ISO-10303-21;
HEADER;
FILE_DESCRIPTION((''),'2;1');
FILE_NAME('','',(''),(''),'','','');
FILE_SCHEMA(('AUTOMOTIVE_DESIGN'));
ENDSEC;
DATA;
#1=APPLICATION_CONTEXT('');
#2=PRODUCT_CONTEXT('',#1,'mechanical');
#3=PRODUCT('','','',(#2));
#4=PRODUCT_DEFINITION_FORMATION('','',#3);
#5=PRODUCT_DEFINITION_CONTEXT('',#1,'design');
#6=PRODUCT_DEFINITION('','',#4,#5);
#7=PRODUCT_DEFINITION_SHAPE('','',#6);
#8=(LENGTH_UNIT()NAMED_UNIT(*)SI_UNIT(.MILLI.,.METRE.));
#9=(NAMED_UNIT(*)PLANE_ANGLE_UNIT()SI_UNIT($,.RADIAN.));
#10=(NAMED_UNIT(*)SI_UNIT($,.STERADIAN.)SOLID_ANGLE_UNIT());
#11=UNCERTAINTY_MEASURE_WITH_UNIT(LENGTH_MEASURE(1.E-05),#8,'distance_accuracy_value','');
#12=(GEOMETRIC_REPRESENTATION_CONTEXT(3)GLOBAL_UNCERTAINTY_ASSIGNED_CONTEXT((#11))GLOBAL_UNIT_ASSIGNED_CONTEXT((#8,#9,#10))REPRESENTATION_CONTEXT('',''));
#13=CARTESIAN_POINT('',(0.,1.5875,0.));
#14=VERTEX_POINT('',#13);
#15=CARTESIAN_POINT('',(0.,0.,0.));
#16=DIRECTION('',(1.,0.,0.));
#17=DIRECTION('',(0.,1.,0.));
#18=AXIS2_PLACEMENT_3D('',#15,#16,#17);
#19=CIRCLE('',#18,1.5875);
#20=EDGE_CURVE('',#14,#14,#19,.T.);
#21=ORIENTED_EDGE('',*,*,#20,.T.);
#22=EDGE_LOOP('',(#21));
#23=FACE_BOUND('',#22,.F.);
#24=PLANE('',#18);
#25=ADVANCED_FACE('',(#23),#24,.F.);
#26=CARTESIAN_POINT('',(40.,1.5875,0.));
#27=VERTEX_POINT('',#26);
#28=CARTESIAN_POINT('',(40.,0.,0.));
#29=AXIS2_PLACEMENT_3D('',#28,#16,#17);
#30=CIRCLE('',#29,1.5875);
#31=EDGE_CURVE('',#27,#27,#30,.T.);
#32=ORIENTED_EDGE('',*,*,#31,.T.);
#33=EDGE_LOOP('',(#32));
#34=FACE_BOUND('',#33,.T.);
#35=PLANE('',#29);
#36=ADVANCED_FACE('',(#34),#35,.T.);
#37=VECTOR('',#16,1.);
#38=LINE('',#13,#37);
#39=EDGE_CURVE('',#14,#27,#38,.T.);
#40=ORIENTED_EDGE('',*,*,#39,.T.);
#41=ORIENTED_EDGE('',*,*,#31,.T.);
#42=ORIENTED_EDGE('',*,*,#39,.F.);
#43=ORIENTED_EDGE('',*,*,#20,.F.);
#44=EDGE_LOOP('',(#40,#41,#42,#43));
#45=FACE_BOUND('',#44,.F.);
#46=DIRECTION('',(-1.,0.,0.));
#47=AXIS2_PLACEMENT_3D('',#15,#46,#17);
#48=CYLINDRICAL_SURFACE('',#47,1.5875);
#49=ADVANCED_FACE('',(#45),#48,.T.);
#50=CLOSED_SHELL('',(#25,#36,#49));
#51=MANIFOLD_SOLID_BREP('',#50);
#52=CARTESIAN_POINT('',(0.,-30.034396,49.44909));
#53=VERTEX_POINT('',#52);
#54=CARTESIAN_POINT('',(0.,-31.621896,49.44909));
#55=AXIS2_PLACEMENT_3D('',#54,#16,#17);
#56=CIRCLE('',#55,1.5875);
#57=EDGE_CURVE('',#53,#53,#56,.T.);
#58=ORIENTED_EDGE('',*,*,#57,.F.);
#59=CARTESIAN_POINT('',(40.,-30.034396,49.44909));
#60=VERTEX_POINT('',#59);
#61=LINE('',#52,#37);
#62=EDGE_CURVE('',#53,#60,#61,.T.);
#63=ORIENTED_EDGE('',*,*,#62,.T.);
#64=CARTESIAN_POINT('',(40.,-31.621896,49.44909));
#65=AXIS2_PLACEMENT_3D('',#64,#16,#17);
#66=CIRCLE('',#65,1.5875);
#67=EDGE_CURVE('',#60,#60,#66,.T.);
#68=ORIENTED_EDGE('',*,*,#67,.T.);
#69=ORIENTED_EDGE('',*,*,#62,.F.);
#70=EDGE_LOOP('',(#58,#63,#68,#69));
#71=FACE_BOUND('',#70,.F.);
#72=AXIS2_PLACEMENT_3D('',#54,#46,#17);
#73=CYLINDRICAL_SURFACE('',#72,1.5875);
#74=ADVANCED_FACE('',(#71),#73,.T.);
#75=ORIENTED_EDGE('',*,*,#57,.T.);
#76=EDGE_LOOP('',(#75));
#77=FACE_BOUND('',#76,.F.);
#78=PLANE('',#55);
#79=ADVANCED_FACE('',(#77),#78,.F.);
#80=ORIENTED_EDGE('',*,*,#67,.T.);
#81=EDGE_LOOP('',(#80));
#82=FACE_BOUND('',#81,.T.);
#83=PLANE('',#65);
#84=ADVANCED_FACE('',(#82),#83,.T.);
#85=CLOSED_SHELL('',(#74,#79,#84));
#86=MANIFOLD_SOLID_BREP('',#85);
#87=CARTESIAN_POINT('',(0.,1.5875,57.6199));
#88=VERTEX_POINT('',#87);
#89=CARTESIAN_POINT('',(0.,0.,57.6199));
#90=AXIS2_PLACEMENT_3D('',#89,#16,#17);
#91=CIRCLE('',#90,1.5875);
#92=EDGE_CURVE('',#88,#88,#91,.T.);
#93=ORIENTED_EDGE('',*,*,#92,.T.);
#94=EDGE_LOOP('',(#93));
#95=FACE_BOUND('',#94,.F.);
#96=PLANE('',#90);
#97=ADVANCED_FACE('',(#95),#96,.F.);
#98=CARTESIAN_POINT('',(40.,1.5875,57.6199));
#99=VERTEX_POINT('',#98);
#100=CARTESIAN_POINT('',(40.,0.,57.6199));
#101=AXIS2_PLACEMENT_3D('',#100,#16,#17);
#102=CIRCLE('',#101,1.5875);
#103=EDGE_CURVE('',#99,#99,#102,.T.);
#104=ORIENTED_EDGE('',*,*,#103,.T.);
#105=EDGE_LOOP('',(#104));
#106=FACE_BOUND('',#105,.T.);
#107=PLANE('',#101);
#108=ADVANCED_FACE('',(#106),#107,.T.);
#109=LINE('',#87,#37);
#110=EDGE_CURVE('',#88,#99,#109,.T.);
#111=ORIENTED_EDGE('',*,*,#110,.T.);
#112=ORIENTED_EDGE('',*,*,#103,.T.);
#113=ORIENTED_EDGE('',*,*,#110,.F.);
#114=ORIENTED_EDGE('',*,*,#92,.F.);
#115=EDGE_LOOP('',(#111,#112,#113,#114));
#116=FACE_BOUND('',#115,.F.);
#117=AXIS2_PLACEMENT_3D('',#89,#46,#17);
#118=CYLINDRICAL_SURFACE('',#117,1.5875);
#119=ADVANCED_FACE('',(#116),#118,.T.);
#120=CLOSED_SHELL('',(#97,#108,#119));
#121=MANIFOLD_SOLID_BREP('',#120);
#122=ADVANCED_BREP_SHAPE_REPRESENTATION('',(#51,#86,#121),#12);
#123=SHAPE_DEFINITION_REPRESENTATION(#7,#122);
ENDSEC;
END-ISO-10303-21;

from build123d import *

# Parameters (mm, degrees)
F0_R     = 1.5875
F1_DEPTH = 40
F2_DEPTH = 40


with BuildPart() as f1:
    # F0 (on Right) → F1 (new body)
    with BuildSketch(Plane.YZ):
        Circle(F0_R)
    extrude(amount=F1_DEPTH)


with BuildPart() as f2:
    # F0 (on Right) → F2 (new body)
    with BuildSketch(Plane.YZ):
        with Locations((-31.621896, 49.44909)):
            Circle(F0_R)
        with Locations((0, 57.6199)):
            Circle(F0_R)
    extrude(amount=F2_DEPTH)


solid = Compound([f1.part, f2.part])
